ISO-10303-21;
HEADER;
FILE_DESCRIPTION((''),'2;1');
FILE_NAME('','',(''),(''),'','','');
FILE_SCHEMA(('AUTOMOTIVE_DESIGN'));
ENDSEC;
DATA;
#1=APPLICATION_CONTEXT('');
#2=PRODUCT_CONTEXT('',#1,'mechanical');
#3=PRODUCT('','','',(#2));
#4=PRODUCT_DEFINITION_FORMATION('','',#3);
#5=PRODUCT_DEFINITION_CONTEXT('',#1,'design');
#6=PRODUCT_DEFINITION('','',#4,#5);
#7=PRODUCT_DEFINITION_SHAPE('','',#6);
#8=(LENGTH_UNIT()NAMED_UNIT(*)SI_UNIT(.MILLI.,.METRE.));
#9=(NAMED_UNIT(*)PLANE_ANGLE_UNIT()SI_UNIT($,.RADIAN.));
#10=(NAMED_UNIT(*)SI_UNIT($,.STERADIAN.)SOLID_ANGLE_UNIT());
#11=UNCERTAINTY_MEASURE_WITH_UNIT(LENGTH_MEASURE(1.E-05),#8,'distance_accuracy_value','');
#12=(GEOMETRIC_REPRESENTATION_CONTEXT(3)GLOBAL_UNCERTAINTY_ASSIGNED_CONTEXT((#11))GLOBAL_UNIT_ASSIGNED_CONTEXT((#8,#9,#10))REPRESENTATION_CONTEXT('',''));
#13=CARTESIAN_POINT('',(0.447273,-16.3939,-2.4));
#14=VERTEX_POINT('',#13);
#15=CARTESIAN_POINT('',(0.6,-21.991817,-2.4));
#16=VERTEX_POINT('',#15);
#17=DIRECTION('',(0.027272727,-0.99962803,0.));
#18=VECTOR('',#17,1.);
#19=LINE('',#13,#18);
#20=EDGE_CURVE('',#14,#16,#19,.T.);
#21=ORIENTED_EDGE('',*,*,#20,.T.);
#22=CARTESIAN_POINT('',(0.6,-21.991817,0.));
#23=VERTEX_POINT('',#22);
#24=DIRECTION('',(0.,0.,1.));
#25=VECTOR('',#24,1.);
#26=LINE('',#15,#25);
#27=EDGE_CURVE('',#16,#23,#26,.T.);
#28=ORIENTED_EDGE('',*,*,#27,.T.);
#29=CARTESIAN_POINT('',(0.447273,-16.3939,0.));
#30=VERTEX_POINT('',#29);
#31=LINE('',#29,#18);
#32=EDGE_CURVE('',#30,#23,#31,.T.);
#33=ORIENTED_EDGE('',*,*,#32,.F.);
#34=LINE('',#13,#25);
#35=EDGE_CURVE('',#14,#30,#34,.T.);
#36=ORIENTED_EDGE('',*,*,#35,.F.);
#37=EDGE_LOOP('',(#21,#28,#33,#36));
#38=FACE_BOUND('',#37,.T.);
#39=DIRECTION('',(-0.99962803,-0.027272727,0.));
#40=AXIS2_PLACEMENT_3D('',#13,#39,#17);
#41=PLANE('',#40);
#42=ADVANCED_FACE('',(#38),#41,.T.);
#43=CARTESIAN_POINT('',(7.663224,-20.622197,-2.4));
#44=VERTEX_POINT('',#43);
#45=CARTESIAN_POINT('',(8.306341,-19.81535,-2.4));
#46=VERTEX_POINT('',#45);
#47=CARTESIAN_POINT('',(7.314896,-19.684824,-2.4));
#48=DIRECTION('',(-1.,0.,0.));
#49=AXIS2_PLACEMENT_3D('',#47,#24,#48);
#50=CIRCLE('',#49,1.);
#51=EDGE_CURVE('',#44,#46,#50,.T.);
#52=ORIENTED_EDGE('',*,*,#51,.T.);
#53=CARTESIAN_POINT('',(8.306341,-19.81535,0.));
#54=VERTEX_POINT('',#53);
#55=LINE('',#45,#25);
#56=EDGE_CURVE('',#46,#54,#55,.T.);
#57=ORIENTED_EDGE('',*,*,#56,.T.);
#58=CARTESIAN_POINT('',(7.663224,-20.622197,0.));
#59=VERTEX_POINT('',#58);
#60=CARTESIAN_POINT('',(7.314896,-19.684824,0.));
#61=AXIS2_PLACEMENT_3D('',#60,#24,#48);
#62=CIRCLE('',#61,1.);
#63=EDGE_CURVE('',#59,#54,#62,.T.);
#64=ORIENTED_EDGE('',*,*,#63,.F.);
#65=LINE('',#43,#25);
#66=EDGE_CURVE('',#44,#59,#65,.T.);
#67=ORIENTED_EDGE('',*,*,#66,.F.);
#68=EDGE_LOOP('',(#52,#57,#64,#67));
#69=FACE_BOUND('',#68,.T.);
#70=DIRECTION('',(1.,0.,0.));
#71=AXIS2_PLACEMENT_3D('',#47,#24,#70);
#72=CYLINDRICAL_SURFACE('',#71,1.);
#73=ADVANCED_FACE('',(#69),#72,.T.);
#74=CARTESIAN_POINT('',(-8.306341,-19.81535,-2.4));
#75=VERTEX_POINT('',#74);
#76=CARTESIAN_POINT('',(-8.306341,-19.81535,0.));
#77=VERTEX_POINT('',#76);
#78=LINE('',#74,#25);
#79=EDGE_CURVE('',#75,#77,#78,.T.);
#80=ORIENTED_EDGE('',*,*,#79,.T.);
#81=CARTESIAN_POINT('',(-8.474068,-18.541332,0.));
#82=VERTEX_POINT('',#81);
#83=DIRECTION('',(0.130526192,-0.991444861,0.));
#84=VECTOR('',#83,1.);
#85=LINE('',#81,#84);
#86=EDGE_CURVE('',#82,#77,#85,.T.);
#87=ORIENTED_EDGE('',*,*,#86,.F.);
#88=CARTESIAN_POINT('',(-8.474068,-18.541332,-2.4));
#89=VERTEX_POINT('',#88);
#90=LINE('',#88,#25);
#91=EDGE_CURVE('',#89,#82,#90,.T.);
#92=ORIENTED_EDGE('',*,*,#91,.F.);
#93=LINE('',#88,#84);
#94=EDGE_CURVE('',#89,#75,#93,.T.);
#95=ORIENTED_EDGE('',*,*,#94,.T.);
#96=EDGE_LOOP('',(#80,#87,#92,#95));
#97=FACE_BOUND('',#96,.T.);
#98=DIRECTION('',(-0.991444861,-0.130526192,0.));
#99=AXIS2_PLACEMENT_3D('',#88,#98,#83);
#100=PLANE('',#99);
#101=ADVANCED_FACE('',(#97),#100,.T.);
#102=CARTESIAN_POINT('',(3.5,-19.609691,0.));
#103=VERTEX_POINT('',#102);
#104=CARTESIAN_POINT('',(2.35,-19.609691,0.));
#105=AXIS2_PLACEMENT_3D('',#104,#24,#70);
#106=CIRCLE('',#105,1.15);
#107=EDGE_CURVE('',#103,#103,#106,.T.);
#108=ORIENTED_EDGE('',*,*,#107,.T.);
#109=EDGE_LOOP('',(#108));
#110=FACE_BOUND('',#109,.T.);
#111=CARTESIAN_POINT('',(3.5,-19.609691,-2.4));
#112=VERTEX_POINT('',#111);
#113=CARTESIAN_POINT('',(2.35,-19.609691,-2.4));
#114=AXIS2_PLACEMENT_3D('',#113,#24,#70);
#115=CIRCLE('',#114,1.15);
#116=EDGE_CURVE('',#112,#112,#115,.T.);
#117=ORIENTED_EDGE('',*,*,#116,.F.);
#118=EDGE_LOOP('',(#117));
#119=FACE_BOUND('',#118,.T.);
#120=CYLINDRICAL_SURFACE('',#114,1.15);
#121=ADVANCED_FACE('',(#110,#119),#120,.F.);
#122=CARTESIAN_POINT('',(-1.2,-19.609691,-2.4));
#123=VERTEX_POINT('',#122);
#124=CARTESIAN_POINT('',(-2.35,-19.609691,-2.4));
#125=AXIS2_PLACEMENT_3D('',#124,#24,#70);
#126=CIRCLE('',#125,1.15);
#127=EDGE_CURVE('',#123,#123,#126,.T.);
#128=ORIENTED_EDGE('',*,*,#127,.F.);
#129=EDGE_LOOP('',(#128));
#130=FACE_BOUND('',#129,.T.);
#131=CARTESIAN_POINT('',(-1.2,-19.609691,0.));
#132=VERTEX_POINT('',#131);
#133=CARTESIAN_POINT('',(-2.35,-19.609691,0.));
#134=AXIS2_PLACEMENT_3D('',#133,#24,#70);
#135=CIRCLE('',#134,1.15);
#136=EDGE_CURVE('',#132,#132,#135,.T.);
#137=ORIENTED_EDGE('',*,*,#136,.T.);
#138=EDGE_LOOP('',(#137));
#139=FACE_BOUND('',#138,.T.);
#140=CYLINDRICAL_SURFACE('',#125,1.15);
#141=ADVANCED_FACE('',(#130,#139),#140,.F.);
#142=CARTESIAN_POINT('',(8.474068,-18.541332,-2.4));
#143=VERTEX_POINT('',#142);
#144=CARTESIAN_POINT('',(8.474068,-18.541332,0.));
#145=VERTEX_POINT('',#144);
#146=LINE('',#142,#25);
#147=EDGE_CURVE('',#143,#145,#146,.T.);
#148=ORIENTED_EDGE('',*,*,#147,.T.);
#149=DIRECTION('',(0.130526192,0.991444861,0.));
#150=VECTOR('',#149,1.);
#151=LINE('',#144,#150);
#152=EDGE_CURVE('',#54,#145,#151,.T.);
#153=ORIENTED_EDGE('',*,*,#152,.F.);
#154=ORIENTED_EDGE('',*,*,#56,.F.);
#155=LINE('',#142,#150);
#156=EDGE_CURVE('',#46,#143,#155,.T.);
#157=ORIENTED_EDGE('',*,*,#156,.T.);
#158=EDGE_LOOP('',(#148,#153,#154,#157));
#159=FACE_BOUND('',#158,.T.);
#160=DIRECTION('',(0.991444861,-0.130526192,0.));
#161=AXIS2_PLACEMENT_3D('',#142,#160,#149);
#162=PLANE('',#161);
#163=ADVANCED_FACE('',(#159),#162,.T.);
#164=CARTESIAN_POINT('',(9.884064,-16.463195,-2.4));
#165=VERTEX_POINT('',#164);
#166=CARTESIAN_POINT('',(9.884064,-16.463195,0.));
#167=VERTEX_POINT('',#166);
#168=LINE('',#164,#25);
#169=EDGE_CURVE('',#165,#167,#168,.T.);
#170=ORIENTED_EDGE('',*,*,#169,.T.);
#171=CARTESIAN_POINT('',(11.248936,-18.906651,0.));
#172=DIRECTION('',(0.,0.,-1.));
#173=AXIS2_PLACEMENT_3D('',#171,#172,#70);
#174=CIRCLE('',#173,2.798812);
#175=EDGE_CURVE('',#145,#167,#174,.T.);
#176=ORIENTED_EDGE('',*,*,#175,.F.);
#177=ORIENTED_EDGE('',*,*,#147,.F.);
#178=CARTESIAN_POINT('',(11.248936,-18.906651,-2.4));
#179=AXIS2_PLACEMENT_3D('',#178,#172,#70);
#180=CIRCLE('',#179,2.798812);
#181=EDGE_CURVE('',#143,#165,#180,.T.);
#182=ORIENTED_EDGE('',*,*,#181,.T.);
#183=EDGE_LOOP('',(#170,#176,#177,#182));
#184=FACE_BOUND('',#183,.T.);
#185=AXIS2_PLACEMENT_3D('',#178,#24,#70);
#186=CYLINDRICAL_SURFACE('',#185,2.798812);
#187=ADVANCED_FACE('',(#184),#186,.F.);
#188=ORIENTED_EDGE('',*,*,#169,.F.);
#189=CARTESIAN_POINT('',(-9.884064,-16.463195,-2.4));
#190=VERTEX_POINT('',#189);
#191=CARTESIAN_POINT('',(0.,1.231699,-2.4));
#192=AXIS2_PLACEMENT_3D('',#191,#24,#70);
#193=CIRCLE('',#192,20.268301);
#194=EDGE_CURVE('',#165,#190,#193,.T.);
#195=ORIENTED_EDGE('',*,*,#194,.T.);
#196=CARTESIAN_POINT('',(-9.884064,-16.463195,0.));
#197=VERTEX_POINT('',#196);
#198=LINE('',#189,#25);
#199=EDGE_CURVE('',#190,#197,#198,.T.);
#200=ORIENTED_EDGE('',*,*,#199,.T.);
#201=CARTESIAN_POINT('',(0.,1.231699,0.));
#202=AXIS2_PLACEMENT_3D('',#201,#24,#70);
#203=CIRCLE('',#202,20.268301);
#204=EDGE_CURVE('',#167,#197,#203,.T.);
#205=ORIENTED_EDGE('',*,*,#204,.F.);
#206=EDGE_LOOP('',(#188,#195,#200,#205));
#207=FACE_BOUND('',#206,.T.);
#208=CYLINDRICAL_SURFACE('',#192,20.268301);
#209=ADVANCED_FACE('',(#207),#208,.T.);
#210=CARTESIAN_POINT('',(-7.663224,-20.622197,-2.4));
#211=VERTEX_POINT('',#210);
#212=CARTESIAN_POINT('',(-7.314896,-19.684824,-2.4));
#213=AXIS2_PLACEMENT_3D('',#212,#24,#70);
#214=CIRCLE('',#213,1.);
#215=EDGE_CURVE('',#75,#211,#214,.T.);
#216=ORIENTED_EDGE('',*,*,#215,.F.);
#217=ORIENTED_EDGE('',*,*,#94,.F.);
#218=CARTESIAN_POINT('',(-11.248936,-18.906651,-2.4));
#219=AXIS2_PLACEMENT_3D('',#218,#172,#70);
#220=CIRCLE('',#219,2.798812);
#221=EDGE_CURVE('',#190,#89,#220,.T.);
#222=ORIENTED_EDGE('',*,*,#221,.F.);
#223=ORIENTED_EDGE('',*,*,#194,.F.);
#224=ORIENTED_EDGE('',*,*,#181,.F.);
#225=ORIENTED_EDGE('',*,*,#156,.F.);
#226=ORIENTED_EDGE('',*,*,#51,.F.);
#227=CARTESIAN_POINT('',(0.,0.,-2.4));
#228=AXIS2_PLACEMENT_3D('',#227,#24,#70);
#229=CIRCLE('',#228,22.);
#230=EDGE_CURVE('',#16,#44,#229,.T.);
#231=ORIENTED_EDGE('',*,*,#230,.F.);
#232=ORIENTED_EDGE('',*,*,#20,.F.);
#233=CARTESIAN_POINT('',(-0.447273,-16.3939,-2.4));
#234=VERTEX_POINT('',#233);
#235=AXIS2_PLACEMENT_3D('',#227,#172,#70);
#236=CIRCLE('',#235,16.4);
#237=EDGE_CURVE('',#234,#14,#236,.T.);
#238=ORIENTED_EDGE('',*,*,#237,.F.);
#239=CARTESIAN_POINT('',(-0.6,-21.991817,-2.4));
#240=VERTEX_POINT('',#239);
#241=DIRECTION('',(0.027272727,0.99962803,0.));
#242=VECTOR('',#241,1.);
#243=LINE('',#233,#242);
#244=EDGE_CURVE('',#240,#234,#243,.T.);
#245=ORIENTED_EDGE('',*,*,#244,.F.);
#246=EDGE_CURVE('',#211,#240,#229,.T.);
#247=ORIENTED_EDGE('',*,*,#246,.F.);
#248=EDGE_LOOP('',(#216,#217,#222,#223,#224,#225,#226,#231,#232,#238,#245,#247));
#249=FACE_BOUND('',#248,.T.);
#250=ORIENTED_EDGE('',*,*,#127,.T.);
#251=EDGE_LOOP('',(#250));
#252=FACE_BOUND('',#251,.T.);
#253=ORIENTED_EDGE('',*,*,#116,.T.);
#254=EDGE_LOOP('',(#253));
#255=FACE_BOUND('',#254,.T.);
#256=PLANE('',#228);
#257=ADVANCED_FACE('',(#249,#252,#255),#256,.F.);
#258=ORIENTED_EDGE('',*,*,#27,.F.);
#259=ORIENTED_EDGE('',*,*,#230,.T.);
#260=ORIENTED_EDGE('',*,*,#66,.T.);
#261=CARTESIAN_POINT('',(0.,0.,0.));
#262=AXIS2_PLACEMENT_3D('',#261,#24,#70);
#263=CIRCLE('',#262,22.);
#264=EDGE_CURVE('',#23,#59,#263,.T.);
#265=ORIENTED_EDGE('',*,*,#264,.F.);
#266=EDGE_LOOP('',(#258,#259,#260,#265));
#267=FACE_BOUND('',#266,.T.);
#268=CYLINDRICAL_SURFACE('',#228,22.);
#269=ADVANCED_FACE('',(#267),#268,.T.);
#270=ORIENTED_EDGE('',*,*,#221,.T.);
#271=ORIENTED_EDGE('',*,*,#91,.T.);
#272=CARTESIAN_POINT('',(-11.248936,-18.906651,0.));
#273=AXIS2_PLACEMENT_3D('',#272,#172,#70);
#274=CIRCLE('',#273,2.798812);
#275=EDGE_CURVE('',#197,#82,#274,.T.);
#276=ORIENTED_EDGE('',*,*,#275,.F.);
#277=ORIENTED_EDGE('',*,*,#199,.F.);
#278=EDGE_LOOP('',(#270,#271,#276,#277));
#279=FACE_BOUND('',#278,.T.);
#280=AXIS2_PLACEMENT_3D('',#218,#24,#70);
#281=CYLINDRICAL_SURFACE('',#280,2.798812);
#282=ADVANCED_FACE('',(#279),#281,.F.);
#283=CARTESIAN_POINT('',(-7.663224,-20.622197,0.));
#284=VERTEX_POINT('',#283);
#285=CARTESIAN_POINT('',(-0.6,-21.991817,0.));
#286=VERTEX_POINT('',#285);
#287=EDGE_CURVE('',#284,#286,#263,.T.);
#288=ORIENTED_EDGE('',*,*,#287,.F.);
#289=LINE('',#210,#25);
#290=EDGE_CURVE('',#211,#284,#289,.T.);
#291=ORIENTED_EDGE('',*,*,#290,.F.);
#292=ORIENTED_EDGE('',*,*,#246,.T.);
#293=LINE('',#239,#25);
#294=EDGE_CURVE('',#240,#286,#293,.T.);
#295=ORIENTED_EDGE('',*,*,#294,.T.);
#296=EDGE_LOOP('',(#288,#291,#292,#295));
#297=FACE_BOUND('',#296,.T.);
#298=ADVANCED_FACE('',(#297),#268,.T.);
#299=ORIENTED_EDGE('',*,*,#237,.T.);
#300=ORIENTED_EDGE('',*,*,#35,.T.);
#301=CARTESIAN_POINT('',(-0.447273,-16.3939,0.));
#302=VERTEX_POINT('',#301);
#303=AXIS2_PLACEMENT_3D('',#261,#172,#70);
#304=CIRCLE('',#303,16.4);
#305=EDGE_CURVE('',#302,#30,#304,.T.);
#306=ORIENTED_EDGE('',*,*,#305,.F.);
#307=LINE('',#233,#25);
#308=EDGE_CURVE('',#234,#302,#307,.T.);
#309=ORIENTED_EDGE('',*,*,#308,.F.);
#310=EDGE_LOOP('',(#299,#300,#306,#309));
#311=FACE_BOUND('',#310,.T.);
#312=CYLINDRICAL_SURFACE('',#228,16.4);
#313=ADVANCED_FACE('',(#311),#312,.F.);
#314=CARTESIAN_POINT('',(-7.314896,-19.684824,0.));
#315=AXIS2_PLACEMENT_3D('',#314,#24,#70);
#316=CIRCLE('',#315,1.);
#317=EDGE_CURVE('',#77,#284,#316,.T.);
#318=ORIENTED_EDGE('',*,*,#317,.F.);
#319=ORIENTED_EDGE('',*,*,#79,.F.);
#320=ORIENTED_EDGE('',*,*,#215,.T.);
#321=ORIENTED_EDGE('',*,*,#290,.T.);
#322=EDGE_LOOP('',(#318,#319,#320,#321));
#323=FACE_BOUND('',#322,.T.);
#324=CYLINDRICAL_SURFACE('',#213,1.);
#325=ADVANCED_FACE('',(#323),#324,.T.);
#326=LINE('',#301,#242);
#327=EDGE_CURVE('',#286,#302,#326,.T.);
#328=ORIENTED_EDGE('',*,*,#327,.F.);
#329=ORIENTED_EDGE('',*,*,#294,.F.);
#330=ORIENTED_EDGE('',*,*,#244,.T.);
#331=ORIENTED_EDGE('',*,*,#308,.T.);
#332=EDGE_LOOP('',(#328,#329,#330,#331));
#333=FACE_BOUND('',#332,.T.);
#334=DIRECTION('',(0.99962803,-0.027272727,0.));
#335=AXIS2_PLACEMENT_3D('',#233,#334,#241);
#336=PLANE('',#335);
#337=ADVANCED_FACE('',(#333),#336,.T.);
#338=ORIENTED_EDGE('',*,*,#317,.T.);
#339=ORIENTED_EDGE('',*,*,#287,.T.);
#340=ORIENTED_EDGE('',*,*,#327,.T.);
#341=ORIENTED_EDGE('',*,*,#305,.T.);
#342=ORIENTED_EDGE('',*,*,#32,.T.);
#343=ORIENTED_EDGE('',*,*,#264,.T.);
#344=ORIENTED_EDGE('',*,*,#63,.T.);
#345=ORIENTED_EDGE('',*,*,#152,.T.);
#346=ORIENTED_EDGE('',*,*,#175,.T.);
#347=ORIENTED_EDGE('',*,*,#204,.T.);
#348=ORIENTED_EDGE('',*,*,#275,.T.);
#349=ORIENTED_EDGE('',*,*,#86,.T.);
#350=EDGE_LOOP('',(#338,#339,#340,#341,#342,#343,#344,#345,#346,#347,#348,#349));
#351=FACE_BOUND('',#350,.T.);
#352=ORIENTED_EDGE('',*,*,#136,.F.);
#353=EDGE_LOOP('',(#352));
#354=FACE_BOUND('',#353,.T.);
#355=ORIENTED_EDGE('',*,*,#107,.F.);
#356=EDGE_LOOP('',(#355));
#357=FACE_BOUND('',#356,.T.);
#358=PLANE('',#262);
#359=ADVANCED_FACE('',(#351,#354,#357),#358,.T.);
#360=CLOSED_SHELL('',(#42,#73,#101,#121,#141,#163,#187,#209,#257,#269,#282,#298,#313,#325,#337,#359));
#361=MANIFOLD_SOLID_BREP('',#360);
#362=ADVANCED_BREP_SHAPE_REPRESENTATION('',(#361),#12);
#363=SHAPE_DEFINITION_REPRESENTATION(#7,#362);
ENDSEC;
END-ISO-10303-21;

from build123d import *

# Parameters (mm, degrees)
BODYSKE_R  = 1.15
BODY_DEPTH = 2.4


with BuildPart() as part:
    # BodySke → Body (new body)
    with BuildSketch(Plane.XY):
        with BuildLine():
            Line((0.447272727, -16.393899692), (0.6, -21.99181666))
            ThreePointArc((0.6, -21.99181666), (4.187980739, -21.597703983), (7.663224061, -20.622196706))
            ThreePointArc((7.663224061, -20.622196706), (8.096879292, -20.308123136), (8.306340556, -19.815350321))
            Line((8.306340556, -19.815350321), (8.474068203, -18.541332355))
            ThreePointArc((8.474068203, -18.541332355), (8.932899586, -17.33524232), (9.884063974, -16.463195465))
            ThreePointArc((9.884063974, -16.463195465), (0, 21.5), (-9.884063974, -16.463195465))
            ThreePointArc((-9.884063974, -16.463195465), (-8.932899586, -17.33524232), (-8.474068203, -18.541332355))
            Line((-8.474068203, -18.541332355), (-8.306340556, -19.815350321))
            ThreePointArc((-8.306340556, -19.815350321), (-8.096879292, -20.308123136), (-7.663224061, -20.622196706))
            ThreePointArc((-7.663224061, -20.622196706), (-4.187980739, -21.597703983), (-0.6, -21.99181666))
            Line((-0.6, -21.99181666), (-0.447272727, -16.393899692))
            ThreePointArc((-0.447272727, -16.393899692), (0, 16.4), (0.447272727, -16.393899692))
        make_face()
        with Locations((2.35, -19.609691482)):
            Circle(BODYSKE_R, mode=Mode.SUBTRACT)
        with Locations((-2.35, -19.609691482)):
            Circle(BODYSKE_R, mode=Mode.SUBTRACT)
    extrude(amount=-BODY_DEPTH)


solid = part.part
